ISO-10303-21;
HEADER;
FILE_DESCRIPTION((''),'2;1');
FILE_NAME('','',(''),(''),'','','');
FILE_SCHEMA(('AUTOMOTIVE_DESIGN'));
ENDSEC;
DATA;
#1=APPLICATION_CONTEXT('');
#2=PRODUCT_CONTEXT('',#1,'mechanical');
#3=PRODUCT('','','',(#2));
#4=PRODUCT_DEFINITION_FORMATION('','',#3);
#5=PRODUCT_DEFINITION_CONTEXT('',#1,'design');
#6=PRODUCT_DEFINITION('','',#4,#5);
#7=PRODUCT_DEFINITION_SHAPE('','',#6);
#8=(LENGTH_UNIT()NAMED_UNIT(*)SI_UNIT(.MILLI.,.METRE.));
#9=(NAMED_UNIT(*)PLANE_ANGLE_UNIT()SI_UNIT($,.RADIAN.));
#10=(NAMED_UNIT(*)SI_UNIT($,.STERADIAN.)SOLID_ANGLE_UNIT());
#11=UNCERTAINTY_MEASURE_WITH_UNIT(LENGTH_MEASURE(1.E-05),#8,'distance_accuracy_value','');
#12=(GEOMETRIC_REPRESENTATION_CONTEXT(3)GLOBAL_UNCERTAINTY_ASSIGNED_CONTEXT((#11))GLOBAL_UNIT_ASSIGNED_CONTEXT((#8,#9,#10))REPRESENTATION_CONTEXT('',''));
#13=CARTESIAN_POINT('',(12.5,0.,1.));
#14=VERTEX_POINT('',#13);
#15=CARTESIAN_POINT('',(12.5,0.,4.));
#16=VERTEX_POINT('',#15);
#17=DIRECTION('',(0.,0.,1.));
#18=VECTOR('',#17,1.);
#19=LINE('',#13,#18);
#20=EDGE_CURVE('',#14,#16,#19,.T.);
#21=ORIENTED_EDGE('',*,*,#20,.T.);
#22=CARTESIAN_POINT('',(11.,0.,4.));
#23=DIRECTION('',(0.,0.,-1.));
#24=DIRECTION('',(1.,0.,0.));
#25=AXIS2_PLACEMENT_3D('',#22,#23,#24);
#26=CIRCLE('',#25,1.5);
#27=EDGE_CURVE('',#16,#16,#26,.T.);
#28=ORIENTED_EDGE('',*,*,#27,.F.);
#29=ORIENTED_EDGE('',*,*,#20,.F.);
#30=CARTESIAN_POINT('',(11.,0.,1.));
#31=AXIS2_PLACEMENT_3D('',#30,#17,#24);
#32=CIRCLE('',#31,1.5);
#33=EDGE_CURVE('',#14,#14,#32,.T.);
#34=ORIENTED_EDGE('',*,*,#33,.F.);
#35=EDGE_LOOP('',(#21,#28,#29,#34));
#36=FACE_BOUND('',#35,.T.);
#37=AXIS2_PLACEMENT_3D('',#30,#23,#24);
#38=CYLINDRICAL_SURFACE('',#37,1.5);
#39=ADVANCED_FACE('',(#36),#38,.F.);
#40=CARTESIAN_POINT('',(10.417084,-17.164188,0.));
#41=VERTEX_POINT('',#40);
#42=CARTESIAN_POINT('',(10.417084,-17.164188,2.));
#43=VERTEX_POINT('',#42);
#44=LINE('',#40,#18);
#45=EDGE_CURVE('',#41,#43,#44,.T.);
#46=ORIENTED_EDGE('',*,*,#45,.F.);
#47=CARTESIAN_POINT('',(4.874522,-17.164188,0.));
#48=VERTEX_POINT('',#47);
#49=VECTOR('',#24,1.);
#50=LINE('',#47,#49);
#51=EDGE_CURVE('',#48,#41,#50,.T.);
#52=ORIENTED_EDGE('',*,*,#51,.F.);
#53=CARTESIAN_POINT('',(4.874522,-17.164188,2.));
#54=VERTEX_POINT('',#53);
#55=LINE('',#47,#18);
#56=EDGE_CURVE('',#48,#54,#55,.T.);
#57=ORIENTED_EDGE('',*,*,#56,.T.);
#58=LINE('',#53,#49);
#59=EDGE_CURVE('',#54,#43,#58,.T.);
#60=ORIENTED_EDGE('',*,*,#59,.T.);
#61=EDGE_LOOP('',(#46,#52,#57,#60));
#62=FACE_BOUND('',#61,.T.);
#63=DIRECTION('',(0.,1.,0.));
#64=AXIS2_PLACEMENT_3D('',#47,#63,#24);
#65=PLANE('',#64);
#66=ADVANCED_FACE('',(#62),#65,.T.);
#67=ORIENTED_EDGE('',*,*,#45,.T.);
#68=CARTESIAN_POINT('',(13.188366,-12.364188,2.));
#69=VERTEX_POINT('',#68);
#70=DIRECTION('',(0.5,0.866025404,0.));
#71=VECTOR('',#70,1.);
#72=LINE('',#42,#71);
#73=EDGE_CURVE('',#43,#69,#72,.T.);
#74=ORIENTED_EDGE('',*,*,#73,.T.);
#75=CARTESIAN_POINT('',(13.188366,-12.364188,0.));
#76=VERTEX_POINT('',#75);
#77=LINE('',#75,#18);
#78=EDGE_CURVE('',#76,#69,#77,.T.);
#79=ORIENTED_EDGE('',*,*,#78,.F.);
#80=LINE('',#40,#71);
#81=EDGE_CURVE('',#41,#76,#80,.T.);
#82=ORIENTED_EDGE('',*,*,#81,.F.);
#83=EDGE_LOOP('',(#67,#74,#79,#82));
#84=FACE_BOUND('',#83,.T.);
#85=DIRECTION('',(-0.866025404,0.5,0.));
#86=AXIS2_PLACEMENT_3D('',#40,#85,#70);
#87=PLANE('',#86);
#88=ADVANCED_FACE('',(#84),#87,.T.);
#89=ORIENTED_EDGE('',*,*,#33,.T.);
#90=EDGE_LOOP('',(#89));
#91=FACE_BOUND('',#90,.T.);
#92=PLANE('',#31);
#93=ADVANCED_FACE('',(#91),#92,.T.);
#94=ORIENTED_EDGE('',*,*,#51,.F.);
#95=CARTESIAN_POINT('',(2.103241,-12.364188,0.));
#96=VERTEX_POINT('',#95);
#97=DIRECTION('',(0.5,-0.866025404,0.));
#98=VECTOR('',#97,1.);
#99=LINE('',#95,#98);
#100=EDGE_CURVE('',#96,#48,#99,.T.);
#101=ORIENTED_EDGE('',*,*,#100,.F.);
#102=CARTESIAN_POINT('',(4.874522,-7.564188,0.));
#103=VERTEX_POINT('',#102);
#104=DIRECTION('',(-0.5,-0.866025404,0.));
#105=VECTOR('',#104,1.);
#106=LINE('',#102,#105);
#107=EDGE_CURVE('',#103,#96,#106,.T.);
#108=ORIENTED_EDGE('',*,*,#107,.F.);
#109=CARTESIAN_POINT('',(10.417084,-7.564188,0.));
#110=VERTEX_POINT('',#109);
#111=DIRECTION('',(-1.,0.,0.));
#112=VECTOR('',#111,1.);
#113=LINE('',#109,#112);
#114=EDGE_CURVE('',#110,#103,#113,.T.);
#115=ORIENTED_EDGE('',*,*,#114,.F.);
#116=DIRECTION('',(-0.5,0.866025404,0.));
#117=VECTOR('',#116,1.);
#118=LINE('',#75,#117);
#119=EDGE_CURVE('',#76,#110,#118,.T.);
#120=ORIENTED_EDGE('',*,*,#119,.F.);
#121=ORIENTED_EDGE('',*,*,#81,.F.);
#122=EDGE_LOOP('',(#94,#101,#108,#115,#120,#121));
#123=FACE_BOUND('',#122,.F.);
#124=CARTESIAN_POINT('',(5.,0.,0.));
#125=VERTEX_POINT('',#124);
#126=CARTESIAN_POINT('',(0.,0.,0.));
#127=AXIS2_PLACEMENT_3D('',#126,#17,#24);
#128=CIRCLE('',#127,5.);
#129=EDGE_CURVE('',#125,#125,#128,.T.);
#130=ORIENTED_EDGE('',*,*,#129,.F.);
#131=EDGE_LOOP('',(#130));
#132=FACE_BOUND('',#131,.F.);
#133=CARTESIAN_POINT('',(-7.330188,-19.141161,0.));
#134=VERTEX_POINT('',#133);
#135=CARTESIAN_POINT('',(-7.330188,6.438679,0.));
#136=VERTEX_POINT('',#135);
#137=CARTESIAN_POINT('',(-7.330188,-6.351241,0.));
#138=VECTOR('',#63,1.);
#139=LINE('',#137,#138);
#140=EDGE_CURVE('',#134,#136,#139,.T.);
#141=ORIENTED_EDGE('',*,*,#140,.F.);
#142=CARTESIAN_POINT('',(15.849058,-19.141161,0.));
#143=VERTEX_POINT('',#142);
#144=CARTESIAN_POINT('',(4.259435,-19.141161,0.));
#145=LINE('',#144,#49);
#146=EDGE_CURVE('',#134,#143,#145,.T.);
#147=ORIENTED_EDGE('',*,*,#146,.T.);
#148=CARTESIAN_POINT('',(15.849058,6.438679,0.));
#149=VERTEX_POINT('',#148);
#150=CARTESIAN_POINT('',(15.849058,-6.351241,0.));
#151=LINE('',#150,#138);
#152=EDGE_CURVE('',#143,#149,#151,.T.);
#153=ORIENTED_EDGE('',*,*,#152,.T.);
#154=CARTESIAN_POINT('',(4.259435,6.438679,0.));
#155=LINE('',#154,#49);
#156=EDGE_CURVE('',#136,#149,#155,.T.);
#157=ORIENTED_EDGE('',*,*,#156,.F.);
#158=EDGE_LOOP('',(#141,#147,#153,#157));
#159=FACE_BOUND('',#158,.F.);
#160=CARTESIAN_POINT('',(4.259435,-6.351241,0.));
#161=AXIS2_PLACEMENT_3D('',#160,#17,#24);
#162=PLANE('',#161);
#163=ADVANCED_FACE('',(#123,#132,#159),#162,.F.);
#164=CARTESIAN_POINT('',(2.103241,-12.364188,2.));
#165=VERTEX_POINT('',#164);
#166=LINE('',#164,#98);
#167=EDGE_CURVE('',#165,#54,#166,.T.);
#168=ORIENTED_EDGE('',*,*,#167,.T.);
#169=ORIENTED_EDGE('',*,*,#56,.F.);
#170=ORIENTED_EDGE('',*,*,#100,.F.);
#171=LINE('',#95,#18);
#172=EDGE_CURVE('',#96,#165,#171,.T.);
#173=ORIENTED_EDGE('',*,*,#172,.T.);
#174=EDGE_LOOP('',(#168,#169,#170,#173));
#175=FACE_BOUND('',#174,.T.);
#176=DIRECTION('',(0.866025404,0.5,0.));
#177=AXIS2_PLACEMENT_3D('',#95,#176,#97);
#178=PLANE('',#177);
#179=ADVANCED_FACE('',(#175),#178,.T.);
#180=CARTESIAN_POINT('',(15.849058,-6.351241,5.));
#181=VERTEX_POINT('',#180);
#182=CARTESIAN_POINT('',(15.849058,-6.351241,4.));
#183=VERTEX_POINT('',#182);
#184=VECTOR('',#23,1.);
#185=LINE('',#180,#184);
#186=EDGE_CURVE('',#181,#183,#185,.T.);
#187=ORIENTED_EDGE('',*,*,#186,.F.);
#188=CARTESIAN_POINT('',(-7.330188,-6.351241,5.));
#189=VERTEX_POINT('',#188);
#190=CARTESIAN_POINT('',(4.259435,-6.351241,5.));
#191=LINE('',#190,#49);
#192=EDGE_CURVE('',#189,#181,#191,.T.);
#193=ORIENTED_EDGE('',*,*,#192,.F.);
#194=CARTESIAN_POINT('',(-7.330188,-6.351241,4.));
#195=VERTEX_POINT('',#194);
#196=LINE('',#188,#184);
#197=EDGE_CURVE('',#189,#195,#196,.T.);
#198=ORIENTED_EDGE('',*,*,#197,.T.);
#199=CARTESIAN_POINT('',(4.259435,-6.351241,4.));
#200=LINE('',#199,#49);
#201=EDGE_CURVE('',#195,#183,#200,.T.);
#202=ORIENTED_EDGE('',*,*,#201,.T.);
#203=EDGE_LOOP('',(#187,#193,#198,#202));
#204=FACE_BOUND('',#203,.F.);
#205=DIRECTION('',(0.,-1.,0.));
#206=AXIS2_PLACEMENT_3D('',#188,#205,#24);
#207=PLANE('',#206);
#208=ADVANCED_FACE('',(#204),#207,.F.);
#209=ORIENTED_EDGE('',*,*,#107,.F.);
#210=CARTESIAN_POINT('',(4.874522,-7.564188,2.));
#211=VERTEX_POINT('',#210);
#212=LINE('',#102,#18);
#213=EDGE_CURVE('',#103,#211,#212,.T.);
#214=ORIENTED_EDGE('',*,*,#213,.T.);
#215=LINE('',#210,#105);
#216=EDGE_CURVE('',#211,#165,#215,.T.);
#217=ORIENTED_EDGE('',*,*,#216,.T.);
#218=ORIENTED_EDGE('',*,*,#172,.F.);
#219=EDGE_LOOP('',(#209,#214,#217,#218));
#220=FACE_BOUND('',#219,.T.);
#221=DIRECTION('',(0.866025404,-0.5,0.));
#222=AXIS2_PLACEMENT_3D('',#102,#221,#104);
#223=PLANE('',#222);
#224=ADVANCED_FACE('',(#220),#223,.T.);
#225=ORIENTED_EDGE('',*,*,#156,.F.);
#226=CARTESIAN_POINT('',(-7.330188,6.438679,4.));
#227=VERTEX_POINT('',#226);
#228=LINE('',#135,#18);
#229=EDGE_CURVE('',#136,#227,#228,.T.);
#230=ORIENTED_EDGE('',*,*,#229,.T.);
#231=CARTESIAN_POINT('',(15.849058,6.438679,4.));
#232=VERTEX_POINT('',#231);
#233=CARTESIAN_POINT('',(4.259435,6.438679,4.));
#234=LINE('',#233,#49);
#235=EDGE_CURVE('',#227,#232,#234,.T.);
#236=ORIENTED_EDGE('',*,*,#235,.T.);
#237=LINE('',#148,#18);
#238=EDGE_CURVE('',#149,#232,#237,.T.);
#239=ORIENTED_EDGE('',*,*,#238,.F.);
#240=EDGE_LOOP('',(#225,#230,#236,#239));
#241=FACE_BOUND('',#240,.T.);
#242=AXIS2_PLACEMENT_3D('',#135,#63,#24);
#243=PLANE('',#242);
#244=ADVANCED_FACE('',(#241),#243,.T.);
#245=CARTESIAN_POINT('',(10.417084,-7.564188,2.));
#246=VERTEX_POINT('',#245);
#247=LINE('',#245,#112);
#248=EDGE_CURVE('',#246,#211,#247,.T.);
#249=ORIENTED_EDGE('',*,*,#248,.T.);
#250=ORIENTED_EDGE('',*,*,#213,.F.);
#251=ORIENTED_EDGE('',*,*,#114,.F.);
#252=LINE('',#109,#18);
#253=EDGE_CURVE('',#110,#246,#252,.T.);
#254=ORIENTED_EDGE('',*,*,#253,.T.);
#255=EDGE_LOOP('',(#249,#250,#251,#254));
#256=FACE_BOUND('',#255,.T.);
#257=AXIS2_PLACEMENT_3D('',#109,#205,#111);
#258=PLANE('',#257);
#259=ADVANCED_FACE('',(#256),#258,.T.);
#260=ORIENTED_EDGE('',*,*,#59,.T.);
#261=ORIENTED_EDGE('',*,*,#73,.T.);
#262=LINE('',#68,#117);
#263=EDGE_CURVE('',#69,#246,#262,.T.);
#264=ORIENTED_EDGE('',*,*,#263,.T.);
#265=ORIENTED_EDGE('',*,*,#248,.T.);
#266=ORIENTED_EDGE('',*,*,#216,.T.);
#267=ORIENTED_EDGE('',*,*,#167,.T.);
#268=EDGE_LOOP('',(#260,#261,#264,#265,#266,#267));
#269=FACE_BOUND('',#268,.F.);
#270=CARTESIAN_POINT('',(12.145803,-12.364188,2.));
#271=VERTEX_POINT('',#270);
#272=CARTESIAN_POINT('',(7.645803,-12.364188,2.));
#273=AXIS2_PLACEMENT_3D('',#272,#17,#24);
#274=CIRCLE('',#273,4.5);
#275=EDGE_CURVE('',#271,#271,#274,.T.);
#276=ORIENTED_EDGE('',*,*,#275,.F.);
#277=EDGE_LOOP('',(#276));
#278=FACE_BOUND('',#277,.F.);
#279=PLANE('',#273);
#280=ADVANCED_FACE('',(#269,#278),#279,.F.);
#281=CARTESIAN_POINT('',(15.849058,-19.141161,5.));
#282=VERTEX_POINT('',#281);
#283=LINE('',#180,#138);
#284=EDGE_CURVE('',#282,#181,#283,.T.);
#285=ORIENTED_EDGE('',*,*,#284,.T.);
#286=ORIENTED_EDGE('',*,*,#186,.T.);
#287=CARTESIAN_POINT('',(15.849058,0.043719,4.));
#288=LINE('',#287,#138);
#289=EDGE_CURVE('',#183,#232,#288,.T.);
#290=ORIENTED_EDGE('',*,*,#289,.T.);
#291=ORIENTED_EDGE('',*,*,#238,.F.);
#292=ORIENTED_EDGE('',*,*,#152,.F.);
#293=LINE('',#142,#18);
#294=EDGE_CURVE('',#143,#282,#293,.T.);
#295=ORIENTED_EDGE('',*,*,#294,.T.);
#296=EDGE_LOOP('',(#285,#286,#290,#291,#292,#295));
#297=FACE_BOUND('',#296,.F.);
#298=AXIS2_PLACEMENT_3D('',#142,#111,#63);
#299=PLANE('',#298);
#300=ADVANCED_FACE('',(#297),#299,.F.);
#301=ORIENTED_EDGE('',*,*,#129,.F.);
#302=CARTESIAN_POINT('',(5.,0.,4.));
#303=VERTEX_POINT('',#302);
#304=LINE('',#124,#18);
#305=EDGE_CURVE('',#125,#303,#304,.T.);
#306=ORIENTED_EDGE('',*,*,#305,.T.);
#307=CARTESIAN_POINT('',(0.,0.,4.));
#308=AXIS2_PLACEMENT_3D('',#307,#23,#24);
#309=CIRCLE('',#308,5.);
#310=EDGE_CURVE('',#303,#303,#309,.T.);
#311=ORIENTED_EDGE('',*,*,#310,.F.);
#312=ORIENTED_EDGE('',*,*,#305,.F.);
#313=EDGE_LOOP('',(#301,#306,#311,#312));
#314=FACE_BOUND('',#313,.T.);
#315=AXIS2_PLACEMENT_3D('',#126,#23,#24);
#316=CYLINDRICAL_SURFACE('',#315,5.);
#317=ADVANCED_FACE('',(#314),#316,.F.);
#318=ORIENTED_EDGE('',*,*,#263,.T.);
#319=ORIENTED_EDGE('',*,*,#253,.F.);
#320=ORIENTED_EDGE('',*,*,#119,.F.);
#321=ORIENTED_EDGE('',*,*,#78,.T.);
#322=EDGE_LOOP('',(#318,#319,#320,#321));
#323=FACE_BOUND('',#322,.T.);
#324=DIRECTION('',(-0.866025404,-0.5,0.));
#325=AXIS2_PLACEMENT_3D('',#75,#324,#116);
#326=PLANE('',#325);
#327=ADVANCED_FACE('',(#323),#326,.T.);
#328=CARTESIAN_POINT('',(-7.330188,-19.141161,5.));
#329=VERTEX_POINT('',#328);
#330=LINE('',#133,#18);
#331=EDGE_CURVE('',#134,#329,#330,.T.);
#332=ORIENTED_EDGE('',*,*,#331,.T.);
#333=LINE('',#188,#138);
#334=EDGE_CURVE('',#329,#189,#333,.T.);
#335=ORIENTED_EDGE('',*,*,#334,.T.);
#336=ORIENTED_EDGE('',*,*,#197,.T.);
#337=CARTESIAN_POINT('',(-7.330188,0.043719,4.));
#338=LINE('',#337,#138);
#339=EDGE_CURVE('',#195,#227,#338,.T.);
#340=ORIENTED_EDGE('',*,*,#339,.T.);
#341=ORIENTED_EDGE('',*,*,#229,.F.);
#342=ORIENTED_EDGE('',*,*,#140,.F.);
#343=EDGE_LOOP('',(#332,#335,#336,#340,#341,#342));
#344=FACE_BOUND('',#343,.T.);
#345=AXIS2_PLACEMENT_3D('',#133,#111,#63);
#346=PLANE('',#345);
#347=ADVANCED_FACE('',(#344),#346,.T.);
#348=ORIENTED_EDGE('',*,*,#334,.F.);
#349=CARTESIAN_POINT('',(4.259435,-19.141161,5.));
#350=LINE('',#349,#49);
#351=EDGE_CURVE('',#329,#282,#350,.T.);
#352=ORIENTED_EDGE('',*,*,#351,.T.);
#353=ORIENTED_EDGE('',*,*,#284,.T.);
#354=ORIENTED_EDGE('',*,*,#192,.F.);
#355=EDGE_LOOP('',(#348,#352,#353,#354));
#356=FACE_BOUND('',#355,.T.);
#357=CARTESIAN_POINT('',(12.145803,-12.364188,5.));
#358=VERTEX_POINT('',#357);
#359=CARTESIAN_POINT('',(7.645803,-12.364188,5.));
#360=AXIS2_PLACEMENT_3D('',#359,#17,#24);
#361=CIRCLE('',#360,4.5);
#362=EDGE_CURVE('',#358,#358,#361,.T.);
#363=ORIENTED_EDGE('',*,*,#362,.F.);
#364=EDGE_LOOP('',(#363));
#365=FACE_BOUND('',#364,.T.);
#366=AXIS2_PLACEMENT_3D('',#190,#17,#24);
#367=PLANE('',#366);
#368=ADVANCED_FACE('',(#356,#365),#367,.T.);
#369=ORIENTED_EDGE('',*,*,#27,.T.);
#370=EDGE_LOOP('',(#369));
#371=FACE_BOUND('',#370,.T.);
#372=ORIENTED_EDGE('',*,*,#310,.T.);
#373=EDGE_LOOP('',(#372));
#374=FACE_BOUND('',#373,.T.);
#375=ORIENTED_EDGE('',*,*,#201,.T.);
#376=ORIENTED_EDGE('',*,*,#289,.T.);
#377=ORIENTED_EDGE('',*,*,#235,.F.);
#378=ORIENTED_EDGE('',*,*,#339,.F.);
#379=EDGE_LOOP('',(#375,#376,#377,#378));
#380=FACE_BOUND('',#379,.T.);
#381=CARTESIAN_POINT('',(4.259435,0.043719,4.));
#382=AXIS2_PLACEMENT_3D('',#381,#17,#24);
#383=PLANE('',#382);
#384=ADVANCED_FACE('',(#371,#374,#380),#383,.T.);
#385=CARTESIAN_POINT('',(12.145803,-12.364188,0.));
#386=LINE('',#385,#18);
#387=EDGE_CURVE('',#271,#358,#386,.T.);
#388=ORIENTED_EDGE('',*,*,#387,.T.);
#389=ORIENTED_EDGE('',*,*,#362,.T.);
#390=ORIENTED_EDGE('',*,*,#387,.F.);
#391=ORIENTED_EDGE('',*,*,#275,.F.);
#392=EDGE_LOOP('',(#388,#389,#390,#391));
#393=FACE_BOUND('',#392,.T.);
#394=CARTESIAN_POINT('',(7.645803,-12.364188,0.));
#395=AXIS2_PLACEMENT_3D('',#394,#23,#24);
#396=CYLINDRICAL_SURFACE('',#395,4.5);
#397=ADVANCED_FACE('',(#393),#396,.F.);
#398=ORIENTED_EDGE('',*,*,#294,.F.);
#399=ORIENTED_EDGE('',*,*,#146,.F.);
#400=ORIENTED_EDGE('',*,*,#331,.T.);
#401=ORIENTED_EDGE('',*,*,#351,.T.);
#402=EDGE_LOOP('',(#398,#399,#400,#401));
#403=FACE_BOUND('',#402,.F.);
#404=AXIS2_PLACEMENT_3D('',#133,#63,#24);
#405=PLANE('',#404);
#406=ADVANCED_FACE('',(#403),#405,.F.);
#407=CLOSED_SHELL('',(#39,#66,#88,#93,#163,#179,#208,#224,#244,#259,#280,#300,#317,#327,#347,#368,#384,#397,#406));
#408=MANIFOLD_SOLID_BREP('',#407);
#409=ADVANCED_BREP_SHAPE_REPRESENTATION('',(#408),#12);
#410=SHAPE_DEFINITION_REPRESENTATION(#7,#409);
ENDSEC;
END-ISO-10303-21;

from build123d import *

# Parameters (mm, degrees)
F0_W     = 23.179245647
F0_H     = 25.5798394792
F0_R     = 5
F0_R_2   = 1.5
F0_R_3   = 4.5
F1_DEPTH = 5
F2_DEPTH = 2
F3_START = 1
F3_DEPTH = 4
F4_W     = 23.179245647
F4_H     = 12.7899197396
F4_R     = 5
F4_R_2   = 1.5
F5_DEPTH = 1


with BuildPart() as f1:
    # F0 (on Top) → F1 (new body)
    with BuildSketch(Plane.XY):
        with Locations((4.2594347615, -6.3512411434)):
            Rectangle(F0_W, F0_H)
        Polygon((2.1032405912, -12.3641875159), (4.8745218833, -7.5641875159), (10.4170844675, -7.5641875159), (13.1883657596, -12.3641875159), (10.4170844675, -17.1641875159), (4.8745218833, -17.1641875159), align=None, mode=Mode.SUBTRACT)
        Circle(F0_R, mode=Mode.SUBTRACT)
        with Locations((11, 0)):
            Circle(F0_R_2, mode=Mode.SUBTRACT)
        Polygon((10.4170844675, -7.5641875159), (4.8745218833, -7.5641875159), (2.1032405912, -12.3641875159), (4.8745218833, -17.1641875159), (10.4170844675, -17.1641875159), (13.1883657596, -12.3641875159), align=None)
        with Locations((7.6458031754, -12.3641875159)):
            Circle(F0_R_3, mode=Mode.SUBTRACT)
        with Locations((11, 0)):
            Circle(F0_R_2)
    extrude(amount=F1_DEPTH)

    # F0 (on Top) → F2 (cut)
    with BuildSketch(Plane.XY):
        Polygon((10.4170844675, -7.5641875159), (4.8745218833, -7.5641875159), (2.1032405912, -12.3641875159), (4.8745218833, -17.1641875159), (10.4170844675, -17.1641875159), (13.1883657596, -12.3641875159), align=None)
        with Locations((7.6458031754, -12.3641875159)):
            Circle(F0_R_3, mode=Mode.SUBTRACT)
    extrude(amount=F2_DEPTH, mode=Mode.SUBTRACT)

    # F0 (on Top) → F3 (cut)
    with BuildSketch(Plane.XY.offset(F3_START)):
        with Locations((11, 0)):
            Circle(F0_R_2)
    extrude(amount=F3_DEPTH, mode=Mode.SUBTRACT)

    # F4 (on face) → F5 (cut)
    with BuildSketch(Plane.XY.offset(5)):
        with Locations((4.2594347615, 0.0437187264)):
            Rectangle(F4_W, F4_H)
        Circle(F4_R, mode=Mode.SUBTRACT)
        with Locations((11, 0)):
            Circle(F4_R_2, mode=Mode.SUBTRACT)
        with Locations((4.2594347615, 0.0437187264)):
            Rectangle(F4_W, F4_H)
    extrude(amount=-F5_DEPTH, mode=Mode.SUBTRACT)


solid = f1.part
